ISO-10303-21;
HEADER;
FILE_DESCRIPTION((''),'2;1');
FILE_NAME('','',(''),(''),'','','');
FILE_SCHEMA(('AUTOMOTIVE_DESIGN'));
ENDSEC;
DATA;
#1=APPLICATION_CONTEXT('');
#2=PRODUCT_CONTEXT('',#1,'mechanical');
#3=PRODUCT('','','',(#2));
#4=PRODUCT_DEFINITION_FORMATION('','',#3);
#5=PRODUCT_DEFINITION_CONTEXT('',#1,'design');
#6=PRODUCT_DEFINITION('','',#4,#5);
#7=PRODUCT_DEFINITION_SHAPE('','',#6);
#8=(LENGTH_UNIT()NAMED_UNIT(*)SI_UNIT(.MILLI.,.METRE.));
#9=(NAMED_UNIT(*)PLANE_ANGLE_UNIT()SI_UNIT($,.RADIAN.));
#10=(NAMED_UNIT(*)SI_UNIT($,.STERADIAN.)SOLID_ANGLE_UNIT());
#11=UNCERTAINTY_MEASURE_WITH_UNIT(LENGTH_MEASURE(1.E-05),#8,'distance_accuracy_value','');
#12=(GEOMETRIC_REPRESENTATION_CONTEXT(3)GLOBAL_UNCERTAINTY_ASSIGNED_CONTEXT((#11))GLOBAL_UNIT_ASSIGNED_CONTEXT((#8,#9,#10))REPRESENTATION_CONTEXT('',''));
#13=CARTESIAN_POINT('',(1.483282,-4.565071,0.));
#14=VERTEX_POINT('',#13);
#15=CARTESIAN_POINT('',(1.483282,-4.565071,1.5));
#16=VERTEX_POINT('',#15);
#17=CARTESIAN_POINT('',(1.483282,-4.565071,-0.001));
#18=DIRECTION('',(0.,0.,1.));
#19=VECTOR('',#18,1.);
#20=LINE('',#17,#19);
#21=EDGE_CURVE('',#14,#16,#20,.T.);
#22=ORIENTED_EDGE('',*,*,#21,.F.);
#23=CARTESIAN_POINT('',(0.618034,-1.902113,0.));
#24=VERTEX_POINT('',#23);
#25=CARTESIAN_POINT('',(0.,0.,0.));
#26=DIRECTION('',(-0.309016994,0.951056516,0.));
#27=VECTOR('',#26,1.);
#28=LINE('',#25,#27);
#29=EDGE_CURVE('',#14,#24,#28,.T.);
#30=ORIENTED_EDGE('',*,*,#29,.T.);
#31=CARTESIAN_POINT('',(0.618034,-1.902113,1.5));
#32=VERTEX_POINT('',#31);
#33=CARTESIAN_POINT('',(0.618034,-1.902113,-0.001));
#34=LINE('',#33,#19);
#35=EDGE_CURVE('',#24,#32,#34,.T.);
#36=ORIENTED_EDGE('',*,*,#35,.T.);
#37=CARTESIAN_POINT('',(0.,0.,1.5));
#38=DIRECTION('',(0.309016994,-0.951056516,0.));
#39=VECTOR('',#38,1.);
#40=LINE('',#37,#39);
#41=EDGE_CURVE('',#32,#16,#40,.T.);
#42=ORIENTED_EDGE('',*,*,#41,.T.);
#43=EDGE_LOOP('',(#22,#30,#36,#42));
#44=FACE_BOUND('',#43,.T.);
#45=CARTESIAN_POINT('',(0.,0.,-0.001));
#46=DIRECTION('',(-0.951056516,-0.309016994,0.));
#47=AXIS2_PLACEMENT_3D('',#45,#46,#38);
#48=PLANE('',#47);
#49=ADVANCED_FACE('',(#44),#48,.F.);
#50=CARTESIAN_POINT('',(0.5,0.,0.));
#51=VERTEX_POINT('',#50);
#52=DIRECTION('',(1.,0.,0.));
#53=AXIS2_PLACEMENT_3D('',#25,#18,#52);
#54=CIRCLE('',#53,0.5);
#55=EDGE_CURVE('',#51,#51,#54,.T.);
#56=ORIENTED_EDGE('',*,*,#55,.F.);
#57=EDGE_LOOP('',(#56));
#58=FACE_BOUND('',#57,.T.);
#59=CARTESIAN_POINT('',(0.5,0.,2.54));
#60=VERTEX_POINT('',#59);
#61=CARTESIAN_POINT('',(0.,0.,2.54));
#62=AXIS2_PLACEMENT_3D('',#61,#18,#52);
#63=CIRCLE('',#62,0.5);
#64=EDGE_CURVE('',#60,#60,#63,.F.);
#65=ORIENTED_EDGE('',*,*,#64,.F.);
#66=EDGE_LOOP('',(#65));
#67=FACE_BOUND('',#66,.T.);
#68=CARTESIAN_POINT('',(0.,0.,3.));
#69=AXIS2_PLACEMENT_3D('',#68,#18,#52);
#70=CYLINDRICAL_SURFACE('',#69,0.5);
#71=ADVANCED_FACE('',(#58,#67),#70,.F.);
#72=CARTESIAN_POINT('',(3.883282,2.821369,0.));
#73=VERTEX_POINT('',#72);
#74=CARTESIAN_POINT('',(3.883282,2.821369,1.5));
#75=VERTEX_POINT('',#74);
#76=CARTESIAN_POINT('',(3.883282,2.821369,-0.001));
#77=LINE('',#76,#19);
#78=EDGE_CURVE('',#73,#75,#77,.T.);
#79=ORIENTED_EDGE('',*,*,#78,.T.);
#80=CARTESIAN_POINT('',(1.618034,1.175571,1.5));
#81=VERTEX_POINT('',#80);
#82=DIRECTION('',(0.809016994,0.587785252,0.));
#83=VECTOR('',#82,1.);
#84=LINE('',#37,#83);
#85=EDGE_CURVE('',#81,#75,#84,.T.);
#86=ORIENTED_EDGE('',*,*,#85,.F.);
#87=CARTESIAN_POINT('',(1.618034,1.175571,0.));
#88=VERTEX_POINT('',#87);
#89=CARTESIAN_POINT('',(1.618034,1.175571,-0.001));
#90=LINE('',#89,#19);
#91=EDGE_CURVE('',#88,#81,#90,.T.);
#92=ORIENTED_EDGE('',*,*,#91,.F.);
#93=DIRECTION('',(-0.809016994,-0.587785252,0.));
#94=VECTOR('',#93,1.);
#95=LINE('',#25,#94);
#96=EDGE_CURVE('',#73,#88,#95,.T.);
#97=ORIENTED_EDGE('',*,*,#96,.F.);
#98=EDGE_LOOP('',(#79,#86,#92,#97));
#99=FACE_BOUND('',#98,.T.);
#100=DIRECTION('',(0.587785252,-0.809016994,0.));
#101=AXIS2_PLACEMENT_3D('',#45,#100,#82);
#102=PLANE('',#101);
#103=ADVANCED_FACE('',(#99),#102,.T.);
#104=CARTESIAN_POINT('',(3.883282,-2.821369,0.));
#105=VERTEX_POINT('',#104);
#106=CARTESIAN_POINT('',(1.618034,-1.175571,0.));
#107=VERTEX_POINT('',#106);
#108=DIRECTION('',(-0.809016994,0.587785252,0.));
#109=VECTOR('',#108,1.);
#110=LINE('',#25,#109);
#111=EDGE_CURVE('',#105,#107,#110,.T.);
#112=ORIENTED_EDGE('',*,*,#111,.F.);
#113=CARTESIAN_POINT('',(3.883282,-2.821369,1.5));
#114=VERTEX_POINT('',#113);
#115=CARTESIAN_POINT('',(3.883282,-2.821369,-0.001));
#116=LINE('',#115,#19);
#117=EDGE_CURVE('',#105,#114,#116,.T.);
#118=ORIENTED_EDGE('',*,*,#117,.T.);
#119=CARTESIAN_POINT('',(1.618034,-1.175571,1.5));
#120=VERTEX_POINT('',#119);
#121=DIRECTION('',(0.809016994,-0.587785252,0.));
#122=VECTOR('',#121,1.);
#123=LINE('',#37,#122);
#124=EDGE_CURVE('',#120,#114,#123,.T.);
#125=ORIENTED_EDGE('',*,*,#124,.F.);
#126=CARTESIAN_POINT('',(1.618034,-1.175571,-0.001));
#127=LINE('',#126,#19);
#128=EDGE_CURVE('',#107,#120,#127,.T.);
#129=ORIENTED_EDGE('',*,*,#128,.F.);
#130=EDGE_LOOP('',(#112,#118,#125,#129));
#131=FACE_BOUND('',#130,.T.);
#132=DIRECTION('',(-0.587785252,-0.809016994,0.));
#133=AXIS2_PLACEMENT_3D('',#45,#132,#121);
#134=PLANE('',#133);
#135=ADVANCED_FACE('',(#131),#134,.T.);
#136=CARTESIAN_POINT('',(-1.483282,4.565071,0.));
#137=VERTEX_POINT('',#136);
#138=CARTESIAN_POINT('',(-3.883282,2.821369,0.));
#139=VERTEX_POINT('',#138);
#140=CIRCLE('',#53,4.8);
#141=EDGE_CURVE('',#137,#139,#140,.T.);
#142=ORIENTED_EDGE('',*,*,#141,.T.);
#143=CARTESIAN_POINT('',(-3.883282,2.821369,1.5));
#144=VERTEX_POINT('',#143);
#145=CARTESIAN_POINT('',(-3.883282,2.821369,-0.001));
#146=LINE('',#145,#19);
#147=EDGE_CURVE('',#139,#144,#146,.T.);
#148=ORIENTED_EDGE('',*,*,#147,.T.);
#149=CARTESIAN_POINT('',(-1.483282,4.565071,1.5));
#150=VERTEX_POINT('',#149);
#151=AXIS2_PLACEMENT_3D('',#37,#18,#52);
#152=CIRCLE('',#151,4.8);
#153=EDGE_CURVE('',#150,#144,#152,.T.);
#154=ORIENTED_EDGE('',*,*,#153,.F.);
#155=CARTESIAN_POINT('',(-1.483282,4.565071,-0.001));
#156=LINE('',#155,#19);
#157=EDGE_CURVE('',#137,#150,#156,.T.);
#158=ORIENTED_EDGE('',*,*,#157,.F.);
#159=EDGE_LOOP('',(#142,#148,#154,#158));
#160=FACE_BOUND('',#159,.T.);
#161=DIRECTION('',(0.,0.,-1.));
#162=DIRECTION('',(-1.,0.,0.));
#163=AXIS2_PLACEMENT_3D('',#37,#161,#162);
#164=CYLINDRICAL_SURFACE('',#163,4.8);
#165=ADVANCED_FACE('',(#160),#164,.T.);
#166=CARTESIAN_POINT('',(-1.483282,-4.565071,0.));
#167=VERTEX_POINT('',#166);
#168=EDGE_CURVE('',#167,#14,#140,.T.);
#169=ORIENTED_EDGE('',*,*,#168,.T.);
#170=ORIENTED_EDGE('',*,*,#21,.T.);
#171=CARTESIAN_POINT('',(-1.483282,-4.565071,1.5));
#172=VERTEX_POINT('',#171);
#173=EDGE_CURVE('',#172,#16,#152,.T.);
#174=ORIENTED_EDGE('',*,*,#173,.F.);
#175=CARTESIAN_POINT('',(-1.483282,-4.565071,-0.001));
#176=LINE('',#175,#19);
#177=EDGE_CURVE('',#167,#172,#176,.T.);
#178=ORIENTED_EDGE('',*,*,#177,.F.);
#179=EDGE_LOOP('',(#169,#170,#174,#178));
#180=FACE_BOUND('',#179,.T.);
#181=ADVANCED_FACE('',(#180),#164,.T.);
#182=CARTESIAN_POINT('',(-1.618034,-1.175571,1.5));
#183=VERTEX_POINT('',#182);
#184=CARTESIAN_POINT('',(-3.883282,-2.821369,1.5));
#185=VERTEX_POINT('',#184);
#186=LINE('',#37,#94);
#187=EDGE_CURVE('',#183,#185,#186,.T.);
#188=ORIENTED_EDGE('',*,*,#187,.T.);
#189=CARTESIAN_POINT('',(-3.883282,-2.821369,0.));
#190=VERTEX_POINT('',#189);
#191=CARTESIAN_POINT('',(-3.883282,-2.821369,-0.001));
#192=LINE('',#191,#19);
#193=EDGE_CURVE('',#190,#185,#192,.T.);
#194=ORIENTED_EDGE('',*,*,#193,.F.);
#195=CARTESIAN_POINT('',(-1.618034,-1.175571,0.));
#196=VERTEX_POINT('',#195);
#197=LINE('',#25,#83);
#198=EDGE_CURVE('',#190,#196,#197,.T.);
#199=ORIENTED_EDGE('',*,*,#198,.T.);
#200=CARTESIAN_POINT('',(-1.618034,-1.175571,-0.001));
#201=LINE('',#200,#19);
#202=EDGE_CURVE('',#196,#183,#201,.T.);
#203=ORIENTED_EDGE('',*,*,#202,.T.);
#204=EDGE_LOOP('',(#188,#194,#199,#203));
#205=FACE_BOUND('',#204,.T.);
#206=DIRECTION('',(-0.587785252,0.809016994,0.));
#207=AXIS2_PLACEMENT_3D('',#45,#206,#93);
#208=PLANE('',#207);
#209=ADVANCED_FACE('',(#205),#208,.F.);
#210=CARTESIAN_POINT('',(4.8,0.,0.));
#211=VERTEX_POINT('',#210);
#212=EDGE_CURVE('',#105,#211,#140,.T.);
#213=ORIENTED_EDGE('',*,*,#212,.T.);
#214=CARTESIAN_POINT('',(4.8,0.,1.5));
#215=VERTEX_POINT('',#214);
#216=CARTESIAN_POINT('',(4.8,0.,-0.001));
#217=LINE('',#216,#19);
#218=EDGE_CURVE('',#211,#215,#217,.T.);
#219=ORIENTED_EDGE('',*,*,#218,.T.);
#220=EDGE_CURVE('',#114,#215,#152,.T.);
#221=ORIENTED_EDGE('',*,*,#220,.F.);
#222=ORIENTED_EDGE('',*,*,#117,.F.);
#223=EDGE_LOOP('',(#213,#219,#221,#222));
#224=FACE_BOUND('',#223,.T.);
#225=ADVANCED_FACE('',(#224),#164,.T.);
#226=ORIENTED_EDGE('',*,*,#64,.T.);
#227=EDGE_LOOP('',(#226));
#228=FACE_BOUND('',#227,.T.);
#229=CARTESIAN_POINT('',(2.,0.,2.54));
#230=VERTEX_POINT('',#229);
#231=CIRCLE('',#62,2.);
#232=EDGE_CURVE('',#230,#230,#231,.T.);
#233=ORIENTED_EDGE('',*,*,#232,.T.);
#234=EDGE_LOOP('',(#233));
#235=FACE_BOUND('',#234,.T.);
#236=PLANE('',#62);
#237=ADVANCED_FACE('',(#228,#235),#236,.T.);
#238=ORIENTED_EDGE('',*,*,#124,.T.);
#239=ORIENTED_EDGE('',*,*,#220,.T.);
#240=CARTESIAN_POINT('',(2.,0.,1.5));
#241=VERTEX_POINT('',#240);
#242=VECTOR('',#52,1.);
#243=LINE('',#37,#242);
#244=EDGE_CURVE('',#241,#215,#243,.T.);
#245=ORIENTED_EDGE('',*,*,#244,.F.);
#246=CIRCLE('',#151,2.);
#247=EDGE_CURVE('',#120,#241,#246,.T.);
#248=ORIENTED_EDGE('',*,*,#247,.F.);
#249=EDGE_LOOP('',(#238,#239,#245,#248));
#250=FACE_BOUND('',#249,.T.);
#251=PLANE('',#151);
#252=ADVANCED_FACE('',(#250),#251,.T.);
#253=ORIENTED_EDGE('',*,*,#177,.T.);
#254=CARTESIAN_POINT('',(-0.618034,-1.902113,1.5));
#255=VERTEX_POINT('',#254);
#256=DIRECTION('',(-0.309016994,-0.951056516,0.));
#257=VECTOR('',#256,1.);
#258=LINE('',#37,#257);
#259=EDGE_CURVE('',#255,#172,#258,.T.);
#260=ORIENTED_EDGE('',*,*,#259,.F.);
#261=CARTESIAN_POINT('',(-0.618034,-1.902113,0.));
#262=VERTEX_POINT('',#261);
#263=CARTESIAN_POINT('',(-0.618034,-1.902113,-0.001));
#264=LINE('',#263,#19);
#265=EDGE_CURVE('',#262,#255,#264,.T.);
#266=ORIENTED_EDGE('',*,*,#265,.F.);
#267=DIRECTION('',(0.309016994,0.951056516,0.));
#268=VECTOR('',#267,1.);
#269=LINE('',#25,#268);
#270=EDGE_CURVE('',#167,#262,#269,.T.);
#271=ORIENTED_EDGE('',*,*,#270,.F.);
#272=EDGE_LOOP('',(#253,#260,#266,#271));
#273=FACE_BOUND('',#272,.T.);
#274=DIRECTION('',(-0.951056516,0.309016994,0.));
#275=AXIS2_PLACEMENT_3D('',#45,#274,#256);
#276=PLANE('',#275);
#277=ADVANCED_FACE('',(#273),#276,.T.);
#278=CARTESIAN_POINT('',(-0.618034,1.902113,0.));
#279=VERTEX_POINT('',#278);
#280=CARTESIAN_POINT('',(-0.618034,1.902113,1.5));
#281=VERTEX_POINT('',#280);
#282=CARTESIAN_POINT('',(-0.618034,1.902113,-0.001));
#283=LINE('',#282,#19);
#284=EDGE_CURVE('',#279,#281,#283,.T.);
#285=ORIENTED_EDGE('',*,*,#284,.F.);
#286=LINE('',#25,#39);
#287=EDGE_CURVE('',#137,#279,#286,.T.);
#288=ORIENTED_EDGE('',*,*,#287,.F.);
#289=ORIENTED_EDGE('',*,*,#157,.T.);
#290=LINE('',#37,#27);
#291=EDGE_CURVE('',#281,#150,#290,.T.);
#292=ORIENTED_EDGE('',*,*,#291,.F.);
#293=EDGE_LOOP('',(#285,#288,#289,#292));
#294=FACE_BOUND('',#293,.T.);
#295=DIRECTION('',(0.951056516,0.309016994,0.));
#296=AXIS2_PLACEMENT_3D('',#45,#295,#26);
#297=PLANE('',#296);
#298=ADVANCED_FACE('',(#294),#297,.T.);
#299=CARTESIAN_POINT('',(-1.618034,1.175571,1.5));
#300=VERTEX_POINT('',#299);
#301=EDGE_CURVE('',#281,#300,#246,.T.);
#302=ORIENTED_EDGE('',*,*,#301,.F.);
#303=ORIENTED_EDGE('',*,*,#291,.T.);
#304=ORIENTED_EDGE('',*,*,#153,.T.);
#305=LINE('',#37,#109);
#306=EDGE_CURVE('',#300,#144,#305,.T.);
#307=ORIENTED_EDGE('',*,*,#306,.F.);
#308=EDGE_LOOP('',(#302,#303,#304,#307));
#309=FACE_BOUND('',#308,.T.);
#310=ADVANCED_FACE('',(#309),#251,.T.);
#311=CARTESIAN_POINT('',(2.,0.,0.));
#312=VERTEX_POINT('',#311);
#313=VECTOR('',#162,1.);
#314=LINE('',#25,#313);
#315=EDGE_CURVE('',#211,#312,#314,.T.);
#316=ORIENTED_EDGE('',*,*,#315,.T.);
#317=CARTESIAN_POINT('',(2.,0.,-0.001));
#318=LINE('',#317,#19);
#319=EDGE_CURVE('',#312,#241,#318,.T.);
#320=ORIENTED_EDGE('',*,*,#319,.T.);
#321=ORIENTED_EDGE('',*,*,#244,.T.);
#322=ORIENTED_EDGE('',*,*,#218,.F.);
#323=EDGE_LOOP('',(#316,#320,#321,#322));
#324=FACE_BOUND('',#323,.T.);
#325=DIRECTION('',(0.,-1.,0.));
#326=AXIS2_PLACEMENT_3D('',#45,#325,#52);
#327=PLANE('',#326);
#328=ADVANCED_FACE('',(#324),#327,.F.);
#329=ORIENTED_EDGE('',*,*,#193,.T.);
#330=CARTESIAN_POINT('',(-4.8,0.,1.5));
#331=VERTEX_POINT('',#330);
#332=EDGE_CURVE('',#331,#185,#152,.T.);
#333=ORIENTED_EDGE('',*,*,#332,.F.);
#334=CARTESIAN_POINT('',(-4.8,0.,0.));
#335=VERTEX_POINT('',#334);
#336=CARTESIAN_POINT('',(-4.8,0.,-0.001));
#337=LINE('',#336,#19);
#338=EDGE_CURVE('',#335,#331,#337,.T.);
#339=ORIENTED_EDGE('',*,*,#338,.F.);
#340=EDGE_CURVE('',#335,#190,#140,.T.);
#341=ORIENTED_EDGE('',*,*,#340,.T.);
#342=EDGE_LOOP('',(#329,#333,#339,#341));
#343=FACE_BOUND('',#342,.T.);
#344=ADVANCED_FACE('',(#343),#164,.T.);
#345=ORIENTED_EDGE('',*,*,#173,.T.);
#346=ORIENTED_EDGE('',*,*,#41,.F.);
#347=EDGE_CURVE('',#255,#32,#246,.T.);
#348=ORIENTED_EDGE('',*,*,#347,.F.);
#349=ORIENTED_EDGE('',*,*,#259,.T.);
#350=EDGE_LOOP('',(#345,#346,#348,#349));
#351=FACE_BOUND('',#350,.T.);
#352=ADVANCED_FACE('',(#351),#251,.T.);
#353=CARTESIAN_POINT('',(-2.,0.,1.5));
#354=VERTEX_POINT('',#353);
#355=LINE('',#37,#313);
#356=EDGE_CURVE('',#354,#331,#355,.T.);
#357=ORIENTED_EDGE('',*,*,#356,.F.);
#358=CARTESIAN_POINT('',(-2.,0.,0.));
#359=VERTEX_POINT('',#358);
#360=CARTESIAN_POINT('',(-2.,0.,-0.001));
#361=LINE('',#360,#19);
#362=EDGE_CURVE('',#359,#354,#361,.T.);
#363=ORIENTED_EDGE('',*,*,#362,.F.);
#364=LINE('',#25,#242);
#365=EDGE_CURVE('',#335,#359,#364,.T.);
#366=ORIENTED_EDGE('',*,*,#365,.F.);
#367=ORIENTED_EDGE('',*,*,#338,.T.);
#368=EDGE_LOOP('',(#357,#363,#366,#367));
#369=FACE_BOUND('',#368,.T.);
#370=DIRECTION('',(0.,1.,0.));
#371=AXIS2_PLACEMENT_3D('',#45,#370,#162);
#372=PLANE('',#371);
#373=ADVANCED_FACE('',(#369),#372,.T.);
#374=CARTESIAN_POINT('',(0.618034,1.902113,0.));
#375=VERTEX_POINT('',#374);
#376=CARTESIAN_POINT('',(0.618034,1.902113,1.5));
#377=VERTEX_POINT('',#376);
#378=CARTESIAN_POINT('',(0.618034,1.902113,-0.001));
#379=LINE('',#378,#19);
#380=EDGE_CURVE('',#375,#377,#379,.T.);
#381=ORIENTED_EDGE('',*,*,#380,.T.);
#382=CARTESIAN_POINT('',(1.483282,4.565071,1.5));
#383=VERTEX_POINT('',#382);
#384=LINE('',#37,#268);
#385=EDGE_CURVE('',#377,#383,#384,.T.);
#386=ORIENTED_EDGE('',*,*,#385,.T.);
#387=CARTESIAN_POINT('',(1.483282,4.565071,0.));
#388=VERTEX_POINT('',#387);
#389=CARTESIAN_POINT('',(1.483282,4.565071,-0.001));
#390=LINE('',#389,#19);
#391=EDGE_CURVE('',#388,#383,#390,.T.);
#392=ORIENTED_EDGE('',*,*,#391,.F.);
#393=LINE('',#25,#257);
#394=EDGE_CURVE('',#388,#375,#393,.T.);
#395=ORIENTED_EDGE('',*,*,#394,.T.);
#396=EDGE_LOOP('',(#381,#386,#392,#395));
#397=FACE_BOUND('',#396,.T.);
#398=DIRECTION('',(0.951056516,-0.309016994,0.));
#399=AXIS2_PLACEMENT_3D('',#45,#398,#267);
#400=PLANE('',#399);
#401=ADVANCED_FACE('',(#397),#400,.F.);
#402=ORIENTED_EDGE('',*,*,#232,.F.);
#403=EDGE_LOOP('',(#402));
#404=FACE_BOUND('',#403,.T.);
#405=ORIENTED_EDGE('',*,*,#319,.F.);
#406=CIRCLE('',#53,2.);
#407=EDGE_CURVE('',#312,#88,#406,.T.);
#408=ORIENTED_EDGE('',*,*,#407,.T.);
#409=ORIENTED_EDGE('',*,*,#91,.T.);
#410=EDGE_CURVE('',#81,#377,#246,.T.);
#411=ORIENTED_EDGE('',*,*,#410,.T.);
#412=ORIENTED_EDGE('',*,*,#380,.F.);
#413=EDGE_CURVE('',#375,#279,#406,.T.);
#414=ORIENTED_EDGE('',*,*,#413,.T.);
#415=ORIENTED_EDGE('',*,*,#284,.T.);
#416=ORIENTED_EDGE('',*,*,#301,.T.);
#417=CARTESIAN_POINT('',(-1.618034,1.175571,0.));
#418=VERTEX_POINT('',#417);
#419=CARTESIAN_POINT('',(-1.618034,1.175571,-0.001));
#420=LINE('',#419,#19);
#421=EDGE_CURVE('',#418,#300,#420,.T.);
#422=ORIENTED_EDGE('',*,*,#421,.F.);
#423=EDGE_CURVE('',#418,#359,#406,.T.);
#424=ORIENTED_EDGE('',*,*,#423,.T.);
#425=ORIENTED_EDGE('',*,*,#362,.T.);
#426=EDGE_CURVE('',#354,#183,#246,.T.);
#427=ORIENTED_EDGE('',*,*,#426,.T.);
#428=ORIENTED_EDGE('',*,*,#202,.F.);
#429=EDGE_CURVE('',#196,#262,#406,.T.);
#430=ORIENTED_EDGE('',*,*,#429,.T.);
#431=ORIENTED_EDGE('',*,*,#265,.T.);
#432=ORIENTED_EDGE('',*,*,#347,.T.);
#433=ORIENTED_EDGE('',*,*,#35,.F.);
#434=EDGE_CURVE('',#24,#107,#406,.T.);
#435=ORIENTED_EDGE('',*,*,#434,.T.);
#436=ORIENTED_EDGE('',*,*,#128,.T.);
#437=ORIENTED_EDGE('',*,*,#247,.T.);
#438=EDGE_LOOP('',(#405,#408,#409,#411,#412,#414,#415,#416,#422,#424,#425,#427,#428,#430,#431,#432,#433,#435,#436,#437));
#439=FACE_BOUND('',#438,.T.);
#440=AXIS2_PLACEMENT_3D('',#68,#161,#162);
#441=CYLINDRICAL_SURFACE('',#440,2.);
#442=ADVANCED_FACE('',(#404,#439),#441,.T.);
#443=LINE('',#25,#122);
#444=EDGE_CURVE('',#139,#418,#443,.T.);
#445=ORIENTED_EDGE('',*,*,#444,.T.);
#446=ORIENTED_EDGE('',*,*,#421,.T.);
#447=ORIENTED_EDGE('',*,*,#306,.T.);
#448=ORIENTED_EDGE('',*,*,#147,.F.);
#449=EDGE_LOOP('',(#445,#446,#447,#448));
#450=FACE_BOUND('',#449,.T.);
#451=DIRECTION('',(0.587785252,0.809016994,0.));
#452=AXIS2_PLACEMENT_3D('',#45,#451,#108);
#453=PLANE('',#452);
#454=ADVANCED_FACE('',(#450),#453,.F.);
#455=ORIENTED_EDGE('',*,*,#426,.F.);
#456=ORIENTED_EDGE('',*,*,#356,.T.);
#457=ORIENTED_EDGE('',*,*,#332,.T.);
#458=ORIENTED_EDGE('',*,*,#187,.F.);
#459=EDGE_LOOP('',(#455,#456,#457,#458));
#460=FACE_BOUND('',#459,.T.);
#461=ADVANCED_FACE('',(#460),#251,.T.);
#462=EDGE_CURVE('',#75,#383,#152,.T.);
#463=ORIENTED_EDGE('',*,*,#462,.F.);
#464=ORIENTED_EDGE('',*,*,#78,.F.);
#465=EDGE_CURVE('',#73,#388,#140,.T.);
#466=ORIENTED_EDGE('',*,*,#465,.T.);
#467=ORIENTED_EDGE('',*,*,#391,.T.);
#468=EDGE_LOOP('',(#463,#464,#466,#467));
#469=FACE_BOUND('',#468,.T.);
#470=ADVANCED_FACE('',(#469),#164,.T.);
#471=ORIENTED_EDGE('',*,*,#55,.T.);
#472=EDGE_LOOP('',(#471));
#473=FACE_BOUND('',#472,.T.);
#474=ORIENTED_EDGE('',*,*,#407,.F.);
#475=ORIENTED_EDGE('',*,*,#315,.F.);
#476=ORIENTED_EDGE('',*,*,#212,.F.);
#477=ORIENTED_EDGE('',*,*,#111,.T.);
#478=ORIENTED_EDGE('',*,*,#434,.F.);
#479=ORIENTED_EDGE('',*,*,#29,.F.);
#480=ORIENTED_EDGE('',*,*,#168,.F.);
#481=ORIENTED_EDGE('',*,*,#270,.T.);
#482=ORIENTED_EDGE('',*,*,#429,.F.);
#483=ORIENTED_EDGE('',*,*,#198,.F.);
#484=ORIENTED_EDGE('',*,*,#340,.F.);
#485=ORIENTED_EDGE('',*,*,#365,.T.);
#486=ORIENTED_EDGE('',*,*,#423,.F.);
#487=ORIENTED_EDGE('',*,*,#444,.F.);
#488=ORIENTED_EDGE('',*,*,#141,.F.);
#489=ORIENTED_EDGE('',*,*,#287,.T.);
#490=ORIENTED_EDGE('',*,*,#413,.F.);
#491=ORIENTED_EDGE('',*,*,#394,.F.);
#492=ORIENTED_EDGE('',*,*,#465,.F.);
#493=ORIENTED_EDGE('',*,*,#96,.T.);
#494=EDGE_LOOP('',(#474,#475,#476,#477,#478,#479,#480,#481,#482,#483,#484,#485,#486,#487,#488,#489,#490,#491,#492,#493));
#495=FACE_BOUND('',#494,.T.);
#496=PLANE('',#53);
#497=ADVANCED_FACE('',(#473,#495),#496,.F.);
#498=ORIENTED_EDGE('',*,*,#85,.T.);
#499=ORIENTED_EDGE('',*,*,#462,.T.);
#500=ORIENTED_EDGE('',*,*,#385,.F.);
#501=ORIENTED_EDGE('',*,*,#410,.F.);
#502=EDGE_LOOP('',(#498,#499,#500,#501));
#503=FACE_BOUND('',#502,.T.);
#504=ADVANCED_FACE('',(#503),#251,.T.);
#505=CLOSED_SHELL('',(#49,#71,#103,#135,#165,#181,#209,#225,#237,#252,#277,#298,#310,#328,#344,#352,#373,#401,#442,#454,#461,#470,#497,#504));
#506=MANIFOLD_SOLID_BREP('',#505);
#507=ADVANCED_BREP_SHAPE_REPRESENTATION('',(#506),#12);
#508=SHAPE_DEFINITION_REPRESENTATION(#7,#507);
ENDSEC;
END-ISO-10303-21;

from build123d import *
from build123d.topology import SkipClean

# Parameters (mm, degrees)
SZKIC1_R                    = 4.8
DODANIE_WYCI_GNI_CIE1_DEPTH = 1.5
SZKIC2_R                    = 2
DODANIE_WYCI_GNI_CIE2_DEPTH = 1.5
WYTNIJ_WYCI_GNI_CIE1_REACH  = 8.952
SZYK_KO_OWY2_COUNT          = 5
OTW_R1_D                    = 1
ESBO_O1_R                   = 2
CORTE_EXTRUS_O1_DEPTH       = 0.46


with BuildPart() as part:
    # Szkic1 → Dodanie-wyciągnięcie1 (new body)
    with BuildSketch(Plane.XY):
        Circle(SZKIC1_R)
    extrude(amount=DODANIE_WYCI_GNI_CIE1_DEPTH)

    # Szkic2 → Dodanie-wyciągnięcie2 (add)
    with BuildSketch(Plane.XY.offset(1.5)):
        Circle(SZKIC2_R)
    extrude(amount=DODANIE_WYCI_GNI_CIE2_DEPTH)

    # Szkic3 → Wytnij-wyciągnięcie1 (cut, up to next)
    with BuildSketch(Plane.XY.offset(1.5), mode=Mode.PRIVATE) as wytnij_wyci_gni_cie1_sk1:
        with BuildLine():
            ThreePointArc((-0.618033989, 1.902113033), (-0.31286893, 1.975376681), (0, 2))
            Line((0, 2), (0, 4.8))
            ThreePointArc((0, 4.8), (-0.750885432, 4.740904035), (-1.483281573, 4.565071278))
            Line((-1.483281573, 4.565071278), (-0.618033989, 1.902113033))
        make_face()
    wytnij_wyci_gni_cie1_tool1 = extrude(wytnij_wyci_gni_cie1_sk1.sketch, amount=-WYTNIJ_WYCI_GNI_CIE1_REACH, mode=Mode.PRIVATE) & part.part
    # Szkic3 → Wytnij-wyciągnięcie1 (cut, up to next)
    with BuildSketch(Plane.XY.offset(1.5), mode=Mode.PRIVATE) as wytnij_wyci_gni_cie1_sk2:
        with BuildLine():
            Line((0, 4.8), (0, 2))
            ThreePointArc((0, 2), (0.31286893, 1.975376681), (0.618033989, 1.902113033))
            Line((0.618033989, 1.902113033), (1.483281573, 4.565071278))
            ThreePointArc((1.483281573, 4.565071278), (0.750885432, 4.740904035), (0, 4.8))
        make_face()
    wytnij_wyci_gni_cie1_tool2 = extrude(wytnij_wyci_gni_cie1_sk2.sketch, amount=-WYTNIJ_WYCI_GNI_CIE1_REACH, mode=Mode.PRIVATE) & part.part
    wytnij_wyci_gni_cie1_1 = wytnij_wyci_gni_cie1_tool1.solids().sort_by_distance((-0.559629, 3.533359, 1.5))[0]
    add(wytnij_wyci_gni_cie1_1, mode=Mode.SUBTRACT)
    wytnij_wyci_gni_cie1_2 = wytnij_wyci_gni_cie1_tool2.solids().sort_by_distance((0.559629, 3.533359, 1.5))[0]
    add(wytnij_wyci_gni_cie1_2, mode=Mode.SUBTRACT)
    wytnij_wyci_gni_cie1 = wytnij_wyci_gni_cie1_1 + wytnij_wyci_gni_cie1_2  # Wytnij-wyciągnięcie1 as one shape, for the pattern or mirror that repeats it

    # Szyk kołowy2: Wytnij-wyciągnięcie1 ×5 about axis
    with SkipClean():  # the faces are left unmerged after this step: merging them gives an invalid solid
        szyk_ko_owy2_axis = Axis((0, 0, 0), (0, 0, 1))
        for i in range(1, SZYK_KO_OWY2_COUNT):
            add(wytnij_wyci_gni_cie1.rotate(szyk_ko_owy2_axis, i * 360 / SZYK_KO_OWY2_COUNT), mode=Mode.SUBTRACT)

    # Otwór1 (through all)
    with Locations(Plane.XY.offset(3)):
        with Locations((0, 0)):
            Hole(OTW_R1_D / 2)

    # Esboço1 → Corte-extrusão1 (cut)
    with SkipClean():  # the faces are left unmerged after this step: merging them gives an invalid solid
        with BuildSketch(Plane.XY.offset(3)):
            Circle(ESBO_O1_R)
        extrude(amount=-CORTE_EXTRUS_O1_DEPTH, mode=Mode.SUBTRACT)


solid = part.part
